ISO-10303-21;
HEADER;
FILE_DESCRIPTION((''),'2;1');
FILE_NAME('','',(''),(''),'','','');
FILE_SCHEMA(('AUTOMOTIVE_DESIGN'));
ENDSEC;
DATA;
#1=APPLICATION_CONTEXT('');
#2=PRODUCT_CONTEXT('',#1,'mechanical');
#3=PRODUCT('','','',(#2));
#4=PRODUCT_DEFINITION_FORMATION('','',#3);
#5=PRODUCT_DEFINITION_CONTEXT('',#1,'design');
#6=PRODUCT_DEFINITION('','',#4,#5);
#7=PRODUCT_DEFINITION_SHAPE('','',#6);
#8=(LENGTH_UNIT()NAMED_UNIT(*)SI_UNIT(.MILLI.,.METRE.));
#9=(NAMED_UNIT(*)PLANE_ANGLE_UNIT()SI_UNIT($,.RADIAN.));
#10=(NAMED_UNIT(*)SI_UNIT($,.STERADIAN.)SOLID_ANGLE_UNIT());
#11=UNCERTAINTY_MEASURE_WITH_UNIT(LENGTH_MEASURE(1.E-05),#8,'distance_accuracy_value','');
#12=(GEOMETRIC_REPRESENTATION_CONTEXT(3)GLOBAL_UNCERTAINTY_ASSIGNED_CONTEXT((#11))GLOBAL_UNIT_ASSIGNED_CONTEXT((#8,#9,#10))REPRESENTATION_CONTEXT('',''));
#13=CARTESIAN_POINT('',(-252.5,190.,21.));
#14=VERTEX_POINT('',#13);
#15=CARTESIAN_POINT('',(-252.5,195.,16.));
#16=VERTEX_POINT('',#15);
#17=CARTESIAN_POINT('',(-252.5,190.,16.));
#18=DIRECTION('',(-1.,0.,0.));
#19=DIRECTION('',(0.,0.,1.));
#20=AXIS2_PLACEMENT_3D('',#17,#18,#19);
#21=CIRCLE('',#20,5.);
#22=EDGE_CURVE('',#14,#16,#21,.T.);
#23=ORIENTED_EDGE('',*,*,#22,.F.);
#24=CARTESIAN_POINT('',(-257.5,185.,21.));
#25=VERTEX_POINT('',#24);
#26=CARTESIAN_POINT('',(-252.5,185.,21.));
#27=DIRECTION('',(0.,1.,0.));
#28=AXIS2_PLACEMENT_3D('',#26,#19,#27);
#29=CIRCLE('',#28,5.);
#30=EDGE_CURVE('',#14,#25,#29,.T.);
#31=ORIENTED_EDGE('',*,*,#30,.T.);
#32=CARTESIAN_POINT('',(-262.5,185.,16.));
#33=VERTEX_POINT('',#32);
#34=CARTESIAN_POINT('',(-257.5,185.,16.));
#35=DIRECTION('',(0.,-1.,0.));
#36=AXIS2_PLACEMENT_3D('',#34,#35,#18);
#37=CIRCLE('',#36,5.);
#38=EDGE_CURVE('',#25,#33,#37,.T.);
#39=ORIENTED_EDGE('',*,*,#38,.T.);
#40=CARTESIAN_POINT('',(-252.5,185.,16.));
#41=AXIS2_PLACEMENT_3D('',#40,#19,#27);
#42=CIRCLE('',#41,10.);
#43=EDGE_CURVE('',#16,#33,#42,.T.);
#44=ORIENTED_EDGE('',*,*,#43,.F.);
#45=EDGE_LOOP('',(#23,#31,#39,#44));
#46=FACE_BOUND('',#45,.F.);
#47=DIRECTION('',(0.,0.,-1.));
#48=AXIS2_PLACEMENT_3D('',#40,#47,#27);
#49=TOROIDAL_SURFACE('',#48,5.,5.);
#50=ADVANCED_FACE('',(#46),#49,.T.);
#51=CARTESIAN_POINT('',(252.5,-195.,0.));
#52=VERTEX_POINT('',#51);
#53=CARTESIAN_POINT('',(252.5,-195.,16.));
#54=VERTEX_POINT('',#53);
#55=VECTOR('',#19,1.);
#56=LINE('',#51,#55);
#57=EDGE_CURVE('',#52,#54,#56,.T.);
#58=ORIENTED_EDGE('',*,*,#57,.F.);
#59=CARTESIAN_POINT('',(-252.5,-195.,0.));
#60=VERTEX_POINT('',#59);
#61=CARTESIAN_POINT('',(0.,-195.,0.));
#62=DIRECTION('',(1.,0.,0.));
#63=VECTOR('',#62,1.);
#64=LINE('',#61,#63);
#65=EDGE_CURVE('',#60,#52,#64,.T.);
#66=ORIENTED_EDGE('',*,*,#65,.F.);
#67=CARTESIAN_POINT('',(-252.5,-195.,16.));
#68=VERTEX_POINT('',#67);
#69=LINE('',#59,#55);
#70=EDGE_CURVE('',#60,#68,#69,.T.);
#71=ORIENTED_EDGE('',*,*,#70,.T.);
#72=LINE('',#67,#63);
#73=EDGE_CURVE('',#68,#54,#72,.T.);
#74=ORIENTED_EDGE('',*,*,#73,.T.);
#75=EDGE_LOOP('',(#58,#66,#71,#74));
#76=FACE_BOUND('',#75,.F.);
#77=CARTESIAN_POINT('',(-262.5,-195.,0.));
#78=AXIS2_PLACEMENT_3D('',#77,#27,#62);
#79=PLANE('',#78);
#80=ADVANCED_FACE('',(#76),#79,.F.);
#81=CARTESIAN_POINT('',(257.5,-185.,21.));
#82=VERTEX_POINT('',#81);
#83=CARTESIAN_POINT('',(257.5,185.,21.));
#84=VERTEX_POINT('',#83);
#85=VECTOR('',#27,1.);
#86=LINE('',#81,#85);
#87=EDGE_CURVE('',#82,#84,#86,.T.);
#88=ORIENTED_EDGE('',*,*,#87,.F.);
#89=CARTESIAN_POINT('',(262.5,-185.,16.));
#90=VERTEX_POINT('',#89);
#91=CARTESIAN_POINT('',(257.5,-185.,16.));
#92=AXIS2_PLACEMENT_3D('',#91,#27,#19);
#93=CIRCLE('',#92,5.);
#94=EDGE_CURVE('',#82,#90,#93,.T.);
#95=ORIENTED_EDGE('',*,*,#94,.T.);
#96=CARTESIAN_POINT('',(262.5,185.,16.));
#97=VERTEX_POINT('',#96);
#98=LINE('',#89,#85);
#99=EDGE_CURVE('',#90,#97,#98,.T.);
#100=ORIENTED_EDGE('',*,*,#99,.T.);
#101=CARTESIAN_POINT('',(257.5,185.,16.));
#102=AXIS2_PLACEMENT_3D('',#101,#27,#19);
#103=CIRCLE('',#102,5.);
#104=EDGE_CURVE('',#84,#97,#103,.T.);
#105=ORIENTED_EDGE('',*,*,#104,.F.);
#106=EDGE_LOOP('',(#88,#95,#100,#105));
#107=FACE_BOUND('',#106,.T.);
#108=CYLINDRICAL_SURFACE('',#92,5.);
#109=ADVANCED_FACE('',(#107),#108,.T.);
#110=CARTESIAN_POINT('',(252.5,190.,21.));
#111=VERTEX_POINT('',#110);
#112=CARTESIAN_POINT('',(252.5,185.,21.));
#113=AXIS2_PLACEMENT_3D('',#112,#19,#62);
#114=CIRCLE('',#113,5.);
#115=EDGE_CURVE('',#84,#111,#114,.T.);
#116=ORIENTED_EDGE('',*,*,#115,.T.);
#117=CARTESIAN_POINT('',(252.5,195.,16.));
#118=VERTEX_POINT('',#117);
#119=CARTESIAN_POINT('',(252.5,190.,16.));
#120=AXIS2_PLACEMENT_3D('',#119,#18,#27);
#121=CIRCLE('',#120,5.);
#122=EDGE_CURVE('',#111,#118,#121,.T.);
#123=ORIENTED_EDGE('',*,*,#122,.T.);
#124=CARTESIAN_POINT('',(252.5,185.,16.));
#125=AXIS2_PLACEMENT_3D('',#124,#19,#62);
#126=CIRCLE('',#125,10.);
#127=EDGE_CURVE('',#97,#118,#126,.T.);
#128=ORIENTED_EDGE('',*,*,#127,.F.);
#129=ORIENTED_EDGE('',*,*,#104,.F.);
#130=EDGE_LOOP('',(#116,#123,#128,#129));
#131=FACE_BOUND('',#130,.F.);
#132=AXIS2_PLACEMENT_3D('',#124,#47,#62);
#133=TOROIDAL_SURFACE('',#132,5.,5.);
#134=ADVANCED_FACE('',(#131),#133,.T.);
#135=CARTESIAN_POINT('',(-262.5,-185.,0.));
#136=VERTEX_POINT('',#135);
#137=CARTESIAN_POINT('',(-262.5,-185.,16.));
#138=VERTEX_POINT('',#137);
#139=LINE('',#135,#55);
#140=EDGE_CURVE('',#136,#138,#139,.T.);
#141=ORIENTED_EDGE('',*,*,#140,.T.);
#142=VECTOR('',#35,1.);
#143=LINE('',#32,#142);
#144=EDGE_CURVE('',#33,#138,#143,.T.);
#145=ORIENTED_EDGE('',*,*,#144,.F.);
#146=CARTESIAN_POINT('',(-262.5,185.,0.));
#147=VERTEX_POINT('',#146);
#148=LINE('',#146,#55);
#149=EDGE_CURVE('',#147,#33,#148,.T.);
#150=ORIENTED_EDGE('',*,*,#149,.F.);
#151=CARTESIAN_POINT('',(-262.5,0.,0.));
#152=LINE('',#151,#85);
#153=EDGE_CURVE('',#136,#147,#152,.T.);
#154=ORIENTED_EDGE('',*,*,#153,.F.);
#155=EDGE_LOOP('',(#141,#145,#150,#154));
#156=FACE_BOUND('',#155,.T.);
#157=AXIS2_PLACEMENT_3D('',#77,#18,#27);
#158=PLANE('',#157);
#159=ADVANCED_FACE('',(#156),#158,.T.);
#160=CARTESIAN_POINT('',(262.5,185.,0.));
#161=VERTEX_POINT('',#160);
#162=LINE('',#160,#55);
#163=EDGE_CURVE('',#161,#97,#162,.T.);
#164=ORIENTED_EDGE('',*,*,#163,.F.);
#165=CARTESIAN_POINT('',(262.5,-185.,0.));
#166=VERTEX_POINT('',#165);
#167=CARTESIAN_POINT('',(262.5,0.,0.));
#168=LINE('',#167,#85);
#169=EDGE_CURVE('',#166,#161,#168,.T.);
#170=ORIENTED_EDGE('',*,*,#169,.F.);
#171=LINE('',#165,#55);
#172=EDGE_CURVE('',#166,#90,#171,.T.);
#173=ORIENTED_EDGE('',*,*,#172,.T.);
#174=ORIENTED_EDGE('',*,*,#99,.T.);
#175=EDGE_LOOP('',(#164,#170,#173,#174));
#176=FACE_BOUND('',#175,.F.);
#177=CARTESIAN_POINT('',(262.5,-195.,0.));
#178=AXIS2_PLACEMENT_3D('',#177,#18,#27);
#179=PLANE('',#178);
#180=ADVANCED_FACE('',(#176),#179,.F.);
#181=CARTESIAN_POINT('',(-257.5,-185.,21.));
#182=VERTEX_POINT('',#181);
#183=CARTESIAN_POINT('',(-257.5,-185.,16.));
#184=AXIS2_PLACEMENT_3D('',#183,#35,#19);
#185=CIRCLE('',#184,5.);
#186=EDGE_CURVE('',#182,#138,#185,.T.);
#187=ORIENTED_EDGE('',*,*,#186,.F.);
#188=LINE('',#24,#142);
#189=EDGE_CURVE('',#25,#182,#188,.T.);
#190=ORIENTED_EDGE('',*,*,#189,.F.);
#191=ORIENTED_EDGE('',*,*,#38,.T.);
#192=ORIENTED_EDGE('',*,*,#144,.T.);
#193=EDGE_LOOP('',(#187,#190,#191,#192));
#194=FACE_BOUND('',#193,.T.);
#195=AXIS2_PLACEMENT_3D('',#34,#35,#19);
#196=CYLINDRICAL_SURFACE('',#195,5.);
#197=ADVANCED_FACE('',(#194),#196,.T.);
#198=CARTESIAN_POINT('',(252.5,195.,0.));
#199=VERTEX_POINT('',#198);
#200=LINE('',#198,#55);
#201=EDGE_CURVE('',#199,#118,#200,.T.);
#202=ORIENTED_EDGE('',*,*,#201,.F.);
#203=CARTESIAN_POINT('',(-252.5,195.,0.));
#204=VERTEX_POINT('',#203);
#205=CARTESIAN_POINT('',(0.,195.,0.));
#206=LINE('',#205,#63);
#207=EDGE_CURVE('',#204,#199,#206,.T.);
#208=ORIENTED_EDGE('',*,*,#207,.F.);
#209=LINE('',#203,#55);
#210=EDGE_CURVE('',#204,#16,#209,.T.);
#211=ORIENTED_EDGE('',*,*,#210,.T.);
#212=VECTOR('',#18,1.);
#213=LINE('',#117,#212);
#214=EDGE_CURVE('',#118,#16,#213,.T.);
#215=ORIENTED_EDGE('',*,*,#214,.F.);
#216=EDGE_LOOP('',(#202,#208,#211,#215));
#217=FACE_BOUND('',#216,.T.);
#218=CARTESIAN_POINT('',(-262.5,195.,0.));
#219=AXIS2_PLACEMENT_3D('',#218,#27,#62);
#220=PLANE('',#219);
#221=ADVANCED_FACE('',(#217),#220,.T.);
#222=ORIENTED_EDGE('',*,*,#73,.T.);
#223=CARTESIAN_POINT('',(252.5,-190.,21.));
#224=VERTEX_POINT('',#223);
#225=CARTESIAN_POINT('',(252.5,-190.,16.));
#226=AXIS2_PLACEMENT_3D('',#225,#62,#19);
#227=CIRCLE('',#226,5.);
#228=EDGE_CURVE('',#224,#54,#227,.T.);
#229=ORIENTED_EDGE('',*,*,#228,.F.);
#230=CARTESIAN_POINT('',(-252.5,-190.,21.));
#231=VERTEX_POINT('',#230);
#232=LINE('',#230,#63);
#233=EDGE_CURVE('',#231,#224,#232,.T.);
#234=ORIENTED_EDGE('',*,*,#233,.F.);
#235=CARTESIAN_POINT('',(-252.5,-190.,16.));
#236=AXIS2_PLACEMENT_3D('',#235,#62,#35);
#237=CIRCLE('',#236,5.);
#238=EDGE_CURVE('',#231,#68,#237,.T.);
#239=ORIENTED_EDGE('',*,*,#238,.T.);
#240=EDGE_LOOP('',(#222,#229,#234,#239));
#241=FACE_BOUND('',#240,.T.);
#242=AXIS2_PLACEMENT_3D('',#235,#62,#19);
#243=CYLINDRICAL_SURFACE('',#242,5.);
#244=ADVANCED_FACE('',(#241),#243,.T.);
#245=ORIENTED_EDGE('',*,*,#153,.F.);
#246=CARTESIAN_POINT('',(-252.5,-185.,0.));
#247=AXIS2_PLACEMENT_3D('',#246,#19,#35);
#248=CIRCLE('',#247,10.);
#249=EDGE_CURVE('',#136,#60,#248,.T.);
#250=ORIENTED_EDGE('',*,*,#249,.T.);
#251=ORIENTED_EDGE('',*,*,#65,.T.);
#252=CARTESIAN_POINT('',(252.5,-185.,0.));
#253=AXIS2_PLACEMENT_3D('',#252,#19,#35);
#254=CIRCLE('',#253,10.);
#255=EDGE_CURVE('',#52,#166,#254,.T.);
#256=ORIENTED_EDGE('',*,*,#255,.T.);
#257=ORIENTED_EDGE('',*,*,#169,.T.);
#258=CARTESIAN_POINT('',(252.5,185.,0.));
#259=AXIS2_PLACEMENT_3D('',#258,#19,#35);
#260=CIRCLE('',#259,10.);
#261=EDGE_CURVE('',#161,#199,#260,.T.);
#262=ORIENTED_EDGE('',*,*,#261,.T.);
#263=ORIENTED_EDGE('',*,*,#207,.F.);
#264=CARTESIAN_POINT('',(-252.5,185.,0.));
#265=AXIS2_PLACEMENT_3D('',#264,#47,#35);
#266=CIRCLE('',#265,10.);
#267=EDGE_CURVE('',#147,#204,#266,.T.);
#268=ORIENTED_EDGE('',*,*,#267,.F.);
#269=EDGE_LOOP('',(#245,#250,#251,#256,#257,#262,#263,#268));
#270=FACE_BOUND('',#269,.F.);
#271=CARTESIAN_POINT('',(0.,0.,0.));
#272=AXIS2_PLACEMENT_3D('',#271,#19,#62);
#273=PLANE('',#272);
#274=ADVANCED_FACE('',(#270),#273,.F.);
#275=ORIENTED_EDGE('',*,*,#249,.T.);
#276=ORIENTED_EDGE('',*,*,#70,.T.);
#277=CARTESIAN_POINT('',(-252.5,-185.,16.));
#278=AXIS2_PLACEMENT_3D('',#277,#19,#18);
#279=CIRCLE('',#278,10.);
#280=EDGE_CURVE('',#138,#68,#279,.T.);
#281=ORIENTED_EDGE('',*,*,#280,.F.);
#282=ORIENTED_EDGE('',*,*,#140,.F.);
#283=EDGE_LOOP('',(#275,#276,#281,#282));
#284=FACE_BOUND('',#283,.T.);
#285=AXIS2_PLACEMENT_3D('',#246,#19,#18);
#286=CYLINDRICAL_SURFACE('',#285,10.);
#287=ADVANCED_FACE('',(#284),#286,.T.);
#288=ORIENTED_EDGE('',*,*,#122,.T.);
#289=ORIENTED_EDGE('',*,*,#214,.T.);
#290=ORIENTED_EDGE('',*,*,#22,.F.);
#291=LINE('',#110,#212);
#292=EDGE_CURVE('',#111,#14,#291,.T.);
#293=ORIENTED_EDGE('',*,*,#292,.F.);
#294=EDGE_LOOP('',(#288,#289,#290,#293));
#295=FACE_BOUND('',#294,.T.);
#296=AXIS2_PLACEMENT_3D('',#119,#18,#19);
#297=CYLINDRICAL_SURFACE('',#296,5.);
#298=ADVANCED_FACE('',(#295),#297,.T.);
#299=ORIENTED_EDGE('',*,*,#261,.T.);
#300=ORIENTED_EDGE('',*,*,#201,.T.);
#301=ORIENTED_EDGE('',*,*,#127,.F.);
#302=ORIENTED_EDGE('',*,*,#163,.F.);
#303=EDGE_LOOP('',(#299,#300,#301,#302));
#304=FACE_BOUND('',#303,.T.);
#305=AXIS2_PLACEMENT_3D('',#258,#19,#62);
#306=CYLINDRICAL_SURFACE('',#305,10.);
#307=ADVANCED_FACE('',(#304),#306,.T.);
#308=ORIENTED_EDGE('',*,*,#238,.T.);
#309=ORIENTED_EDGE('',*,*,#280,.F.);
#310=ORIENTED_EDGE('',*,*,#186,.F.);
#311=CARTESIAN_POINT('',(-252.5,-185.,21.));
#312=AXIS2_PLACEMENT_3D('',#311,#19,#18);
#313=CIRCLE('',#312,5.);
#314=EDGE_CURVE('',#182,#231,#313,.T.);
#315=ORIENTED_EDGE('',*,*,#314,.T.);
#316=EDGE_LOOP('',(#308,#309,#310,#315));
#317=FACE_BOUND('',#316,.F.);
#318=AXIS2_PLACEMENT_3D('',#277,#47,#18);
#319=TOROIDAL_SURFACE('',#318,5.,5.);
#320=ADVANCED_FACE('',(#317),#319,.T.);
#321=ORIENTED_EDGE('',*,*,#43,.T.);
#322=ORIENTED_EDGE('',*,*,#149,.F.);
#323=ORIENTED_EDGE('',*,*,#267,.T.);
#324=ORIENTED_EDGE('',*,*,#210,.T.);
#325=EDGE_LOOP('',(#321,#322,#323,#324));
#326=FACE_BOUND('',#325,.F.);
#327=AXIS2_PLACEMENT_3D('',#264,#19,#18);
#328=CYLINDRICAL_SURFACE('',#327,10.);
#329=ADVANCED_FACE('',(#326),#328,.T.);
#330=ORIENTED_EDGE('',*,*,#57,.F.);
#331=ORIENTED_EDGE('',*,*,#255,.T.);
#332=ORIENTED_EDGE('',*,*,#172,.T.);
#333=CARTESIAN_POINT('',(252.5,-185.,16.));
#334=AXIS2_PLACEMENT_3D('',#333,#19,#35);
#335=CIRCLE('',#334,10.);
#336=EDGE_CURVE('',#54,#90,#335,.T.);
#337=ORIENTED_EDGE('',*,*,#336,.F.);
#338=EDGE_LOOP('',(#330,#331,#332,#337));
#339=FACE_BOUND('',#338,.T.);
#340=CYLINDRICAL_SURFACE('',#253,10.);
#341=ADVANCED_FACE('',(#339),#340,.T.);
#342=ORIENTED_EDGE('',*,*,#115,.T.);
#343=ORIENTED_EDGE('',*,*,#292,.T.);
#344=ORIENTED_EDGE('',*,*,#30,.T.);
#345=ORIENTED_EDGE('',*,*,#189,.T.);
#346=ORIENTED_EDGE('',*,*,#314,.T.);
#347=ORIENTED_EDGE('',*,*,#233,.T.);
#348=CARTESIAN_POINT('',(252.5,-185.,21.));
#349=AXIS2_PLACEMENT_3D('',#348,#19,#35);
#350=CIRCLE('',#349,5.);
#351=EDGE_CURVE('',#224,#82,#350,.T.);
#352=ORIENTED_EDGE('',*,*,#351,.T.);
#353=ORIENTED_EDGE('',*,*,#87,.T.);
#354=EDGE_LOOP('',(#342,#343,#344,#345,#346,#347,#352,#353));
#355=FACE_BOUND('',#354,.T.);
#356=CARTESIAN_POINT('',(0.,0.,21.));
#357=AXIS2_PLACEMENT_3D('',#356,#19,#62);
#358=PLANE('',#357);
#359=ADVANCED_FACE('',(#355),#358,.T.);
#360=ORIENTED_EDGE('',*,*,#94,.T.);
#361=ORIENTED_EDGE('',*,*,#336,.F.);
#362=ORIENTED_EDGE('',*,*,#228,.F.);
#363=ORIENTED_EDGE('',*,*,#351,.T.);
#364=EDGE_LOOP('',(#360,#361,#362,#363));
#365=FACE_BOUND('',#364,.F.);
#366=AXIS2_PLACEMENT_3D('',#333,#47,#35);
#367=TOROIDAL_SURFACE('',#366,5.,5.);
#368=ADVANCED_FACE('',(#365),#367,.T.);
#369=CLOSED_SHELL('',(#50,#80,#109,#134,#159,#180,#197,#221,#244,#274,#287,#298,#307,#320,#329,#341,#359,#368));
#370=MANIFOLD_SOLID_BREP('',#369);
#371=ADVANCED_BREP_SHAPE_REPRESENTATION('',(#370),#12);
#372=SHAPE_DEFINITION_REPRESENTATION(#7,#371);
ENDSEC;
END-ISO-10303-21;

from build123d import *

# Parameters (mm, degrees)
F0_W     = 525
F0_H     = 390
F1_DEPTH = 21
F2_R     = 10
F3_R     = 5


with BuildPart() as f1:
    # F0 (on Top) → F1 (new body)
    with BuildSketch(Plane.XY):
        Rectangle(F0_W, F0_H)
    extrude(amount=F1_DEPTH)

    # F2
    f2_edges = [f1.edges().sort_by_distance(p)[0] for p in [
        (262.5, -195, 10.5),
        (262.5, 195, 10.5),
        (-262.5, 195, 10.5),
        (-262.5, -195, 10.5),
    ]]
    fillet(f2_edges, radius=F2_R)

    # F3
    f3_edges = [f1.edges().sort_by_distance(p)[0] for p in [
        (262.5, 0, 21),
    ]]
    fillet(f3_edges, radius=F3_R)


solid = f1.part
